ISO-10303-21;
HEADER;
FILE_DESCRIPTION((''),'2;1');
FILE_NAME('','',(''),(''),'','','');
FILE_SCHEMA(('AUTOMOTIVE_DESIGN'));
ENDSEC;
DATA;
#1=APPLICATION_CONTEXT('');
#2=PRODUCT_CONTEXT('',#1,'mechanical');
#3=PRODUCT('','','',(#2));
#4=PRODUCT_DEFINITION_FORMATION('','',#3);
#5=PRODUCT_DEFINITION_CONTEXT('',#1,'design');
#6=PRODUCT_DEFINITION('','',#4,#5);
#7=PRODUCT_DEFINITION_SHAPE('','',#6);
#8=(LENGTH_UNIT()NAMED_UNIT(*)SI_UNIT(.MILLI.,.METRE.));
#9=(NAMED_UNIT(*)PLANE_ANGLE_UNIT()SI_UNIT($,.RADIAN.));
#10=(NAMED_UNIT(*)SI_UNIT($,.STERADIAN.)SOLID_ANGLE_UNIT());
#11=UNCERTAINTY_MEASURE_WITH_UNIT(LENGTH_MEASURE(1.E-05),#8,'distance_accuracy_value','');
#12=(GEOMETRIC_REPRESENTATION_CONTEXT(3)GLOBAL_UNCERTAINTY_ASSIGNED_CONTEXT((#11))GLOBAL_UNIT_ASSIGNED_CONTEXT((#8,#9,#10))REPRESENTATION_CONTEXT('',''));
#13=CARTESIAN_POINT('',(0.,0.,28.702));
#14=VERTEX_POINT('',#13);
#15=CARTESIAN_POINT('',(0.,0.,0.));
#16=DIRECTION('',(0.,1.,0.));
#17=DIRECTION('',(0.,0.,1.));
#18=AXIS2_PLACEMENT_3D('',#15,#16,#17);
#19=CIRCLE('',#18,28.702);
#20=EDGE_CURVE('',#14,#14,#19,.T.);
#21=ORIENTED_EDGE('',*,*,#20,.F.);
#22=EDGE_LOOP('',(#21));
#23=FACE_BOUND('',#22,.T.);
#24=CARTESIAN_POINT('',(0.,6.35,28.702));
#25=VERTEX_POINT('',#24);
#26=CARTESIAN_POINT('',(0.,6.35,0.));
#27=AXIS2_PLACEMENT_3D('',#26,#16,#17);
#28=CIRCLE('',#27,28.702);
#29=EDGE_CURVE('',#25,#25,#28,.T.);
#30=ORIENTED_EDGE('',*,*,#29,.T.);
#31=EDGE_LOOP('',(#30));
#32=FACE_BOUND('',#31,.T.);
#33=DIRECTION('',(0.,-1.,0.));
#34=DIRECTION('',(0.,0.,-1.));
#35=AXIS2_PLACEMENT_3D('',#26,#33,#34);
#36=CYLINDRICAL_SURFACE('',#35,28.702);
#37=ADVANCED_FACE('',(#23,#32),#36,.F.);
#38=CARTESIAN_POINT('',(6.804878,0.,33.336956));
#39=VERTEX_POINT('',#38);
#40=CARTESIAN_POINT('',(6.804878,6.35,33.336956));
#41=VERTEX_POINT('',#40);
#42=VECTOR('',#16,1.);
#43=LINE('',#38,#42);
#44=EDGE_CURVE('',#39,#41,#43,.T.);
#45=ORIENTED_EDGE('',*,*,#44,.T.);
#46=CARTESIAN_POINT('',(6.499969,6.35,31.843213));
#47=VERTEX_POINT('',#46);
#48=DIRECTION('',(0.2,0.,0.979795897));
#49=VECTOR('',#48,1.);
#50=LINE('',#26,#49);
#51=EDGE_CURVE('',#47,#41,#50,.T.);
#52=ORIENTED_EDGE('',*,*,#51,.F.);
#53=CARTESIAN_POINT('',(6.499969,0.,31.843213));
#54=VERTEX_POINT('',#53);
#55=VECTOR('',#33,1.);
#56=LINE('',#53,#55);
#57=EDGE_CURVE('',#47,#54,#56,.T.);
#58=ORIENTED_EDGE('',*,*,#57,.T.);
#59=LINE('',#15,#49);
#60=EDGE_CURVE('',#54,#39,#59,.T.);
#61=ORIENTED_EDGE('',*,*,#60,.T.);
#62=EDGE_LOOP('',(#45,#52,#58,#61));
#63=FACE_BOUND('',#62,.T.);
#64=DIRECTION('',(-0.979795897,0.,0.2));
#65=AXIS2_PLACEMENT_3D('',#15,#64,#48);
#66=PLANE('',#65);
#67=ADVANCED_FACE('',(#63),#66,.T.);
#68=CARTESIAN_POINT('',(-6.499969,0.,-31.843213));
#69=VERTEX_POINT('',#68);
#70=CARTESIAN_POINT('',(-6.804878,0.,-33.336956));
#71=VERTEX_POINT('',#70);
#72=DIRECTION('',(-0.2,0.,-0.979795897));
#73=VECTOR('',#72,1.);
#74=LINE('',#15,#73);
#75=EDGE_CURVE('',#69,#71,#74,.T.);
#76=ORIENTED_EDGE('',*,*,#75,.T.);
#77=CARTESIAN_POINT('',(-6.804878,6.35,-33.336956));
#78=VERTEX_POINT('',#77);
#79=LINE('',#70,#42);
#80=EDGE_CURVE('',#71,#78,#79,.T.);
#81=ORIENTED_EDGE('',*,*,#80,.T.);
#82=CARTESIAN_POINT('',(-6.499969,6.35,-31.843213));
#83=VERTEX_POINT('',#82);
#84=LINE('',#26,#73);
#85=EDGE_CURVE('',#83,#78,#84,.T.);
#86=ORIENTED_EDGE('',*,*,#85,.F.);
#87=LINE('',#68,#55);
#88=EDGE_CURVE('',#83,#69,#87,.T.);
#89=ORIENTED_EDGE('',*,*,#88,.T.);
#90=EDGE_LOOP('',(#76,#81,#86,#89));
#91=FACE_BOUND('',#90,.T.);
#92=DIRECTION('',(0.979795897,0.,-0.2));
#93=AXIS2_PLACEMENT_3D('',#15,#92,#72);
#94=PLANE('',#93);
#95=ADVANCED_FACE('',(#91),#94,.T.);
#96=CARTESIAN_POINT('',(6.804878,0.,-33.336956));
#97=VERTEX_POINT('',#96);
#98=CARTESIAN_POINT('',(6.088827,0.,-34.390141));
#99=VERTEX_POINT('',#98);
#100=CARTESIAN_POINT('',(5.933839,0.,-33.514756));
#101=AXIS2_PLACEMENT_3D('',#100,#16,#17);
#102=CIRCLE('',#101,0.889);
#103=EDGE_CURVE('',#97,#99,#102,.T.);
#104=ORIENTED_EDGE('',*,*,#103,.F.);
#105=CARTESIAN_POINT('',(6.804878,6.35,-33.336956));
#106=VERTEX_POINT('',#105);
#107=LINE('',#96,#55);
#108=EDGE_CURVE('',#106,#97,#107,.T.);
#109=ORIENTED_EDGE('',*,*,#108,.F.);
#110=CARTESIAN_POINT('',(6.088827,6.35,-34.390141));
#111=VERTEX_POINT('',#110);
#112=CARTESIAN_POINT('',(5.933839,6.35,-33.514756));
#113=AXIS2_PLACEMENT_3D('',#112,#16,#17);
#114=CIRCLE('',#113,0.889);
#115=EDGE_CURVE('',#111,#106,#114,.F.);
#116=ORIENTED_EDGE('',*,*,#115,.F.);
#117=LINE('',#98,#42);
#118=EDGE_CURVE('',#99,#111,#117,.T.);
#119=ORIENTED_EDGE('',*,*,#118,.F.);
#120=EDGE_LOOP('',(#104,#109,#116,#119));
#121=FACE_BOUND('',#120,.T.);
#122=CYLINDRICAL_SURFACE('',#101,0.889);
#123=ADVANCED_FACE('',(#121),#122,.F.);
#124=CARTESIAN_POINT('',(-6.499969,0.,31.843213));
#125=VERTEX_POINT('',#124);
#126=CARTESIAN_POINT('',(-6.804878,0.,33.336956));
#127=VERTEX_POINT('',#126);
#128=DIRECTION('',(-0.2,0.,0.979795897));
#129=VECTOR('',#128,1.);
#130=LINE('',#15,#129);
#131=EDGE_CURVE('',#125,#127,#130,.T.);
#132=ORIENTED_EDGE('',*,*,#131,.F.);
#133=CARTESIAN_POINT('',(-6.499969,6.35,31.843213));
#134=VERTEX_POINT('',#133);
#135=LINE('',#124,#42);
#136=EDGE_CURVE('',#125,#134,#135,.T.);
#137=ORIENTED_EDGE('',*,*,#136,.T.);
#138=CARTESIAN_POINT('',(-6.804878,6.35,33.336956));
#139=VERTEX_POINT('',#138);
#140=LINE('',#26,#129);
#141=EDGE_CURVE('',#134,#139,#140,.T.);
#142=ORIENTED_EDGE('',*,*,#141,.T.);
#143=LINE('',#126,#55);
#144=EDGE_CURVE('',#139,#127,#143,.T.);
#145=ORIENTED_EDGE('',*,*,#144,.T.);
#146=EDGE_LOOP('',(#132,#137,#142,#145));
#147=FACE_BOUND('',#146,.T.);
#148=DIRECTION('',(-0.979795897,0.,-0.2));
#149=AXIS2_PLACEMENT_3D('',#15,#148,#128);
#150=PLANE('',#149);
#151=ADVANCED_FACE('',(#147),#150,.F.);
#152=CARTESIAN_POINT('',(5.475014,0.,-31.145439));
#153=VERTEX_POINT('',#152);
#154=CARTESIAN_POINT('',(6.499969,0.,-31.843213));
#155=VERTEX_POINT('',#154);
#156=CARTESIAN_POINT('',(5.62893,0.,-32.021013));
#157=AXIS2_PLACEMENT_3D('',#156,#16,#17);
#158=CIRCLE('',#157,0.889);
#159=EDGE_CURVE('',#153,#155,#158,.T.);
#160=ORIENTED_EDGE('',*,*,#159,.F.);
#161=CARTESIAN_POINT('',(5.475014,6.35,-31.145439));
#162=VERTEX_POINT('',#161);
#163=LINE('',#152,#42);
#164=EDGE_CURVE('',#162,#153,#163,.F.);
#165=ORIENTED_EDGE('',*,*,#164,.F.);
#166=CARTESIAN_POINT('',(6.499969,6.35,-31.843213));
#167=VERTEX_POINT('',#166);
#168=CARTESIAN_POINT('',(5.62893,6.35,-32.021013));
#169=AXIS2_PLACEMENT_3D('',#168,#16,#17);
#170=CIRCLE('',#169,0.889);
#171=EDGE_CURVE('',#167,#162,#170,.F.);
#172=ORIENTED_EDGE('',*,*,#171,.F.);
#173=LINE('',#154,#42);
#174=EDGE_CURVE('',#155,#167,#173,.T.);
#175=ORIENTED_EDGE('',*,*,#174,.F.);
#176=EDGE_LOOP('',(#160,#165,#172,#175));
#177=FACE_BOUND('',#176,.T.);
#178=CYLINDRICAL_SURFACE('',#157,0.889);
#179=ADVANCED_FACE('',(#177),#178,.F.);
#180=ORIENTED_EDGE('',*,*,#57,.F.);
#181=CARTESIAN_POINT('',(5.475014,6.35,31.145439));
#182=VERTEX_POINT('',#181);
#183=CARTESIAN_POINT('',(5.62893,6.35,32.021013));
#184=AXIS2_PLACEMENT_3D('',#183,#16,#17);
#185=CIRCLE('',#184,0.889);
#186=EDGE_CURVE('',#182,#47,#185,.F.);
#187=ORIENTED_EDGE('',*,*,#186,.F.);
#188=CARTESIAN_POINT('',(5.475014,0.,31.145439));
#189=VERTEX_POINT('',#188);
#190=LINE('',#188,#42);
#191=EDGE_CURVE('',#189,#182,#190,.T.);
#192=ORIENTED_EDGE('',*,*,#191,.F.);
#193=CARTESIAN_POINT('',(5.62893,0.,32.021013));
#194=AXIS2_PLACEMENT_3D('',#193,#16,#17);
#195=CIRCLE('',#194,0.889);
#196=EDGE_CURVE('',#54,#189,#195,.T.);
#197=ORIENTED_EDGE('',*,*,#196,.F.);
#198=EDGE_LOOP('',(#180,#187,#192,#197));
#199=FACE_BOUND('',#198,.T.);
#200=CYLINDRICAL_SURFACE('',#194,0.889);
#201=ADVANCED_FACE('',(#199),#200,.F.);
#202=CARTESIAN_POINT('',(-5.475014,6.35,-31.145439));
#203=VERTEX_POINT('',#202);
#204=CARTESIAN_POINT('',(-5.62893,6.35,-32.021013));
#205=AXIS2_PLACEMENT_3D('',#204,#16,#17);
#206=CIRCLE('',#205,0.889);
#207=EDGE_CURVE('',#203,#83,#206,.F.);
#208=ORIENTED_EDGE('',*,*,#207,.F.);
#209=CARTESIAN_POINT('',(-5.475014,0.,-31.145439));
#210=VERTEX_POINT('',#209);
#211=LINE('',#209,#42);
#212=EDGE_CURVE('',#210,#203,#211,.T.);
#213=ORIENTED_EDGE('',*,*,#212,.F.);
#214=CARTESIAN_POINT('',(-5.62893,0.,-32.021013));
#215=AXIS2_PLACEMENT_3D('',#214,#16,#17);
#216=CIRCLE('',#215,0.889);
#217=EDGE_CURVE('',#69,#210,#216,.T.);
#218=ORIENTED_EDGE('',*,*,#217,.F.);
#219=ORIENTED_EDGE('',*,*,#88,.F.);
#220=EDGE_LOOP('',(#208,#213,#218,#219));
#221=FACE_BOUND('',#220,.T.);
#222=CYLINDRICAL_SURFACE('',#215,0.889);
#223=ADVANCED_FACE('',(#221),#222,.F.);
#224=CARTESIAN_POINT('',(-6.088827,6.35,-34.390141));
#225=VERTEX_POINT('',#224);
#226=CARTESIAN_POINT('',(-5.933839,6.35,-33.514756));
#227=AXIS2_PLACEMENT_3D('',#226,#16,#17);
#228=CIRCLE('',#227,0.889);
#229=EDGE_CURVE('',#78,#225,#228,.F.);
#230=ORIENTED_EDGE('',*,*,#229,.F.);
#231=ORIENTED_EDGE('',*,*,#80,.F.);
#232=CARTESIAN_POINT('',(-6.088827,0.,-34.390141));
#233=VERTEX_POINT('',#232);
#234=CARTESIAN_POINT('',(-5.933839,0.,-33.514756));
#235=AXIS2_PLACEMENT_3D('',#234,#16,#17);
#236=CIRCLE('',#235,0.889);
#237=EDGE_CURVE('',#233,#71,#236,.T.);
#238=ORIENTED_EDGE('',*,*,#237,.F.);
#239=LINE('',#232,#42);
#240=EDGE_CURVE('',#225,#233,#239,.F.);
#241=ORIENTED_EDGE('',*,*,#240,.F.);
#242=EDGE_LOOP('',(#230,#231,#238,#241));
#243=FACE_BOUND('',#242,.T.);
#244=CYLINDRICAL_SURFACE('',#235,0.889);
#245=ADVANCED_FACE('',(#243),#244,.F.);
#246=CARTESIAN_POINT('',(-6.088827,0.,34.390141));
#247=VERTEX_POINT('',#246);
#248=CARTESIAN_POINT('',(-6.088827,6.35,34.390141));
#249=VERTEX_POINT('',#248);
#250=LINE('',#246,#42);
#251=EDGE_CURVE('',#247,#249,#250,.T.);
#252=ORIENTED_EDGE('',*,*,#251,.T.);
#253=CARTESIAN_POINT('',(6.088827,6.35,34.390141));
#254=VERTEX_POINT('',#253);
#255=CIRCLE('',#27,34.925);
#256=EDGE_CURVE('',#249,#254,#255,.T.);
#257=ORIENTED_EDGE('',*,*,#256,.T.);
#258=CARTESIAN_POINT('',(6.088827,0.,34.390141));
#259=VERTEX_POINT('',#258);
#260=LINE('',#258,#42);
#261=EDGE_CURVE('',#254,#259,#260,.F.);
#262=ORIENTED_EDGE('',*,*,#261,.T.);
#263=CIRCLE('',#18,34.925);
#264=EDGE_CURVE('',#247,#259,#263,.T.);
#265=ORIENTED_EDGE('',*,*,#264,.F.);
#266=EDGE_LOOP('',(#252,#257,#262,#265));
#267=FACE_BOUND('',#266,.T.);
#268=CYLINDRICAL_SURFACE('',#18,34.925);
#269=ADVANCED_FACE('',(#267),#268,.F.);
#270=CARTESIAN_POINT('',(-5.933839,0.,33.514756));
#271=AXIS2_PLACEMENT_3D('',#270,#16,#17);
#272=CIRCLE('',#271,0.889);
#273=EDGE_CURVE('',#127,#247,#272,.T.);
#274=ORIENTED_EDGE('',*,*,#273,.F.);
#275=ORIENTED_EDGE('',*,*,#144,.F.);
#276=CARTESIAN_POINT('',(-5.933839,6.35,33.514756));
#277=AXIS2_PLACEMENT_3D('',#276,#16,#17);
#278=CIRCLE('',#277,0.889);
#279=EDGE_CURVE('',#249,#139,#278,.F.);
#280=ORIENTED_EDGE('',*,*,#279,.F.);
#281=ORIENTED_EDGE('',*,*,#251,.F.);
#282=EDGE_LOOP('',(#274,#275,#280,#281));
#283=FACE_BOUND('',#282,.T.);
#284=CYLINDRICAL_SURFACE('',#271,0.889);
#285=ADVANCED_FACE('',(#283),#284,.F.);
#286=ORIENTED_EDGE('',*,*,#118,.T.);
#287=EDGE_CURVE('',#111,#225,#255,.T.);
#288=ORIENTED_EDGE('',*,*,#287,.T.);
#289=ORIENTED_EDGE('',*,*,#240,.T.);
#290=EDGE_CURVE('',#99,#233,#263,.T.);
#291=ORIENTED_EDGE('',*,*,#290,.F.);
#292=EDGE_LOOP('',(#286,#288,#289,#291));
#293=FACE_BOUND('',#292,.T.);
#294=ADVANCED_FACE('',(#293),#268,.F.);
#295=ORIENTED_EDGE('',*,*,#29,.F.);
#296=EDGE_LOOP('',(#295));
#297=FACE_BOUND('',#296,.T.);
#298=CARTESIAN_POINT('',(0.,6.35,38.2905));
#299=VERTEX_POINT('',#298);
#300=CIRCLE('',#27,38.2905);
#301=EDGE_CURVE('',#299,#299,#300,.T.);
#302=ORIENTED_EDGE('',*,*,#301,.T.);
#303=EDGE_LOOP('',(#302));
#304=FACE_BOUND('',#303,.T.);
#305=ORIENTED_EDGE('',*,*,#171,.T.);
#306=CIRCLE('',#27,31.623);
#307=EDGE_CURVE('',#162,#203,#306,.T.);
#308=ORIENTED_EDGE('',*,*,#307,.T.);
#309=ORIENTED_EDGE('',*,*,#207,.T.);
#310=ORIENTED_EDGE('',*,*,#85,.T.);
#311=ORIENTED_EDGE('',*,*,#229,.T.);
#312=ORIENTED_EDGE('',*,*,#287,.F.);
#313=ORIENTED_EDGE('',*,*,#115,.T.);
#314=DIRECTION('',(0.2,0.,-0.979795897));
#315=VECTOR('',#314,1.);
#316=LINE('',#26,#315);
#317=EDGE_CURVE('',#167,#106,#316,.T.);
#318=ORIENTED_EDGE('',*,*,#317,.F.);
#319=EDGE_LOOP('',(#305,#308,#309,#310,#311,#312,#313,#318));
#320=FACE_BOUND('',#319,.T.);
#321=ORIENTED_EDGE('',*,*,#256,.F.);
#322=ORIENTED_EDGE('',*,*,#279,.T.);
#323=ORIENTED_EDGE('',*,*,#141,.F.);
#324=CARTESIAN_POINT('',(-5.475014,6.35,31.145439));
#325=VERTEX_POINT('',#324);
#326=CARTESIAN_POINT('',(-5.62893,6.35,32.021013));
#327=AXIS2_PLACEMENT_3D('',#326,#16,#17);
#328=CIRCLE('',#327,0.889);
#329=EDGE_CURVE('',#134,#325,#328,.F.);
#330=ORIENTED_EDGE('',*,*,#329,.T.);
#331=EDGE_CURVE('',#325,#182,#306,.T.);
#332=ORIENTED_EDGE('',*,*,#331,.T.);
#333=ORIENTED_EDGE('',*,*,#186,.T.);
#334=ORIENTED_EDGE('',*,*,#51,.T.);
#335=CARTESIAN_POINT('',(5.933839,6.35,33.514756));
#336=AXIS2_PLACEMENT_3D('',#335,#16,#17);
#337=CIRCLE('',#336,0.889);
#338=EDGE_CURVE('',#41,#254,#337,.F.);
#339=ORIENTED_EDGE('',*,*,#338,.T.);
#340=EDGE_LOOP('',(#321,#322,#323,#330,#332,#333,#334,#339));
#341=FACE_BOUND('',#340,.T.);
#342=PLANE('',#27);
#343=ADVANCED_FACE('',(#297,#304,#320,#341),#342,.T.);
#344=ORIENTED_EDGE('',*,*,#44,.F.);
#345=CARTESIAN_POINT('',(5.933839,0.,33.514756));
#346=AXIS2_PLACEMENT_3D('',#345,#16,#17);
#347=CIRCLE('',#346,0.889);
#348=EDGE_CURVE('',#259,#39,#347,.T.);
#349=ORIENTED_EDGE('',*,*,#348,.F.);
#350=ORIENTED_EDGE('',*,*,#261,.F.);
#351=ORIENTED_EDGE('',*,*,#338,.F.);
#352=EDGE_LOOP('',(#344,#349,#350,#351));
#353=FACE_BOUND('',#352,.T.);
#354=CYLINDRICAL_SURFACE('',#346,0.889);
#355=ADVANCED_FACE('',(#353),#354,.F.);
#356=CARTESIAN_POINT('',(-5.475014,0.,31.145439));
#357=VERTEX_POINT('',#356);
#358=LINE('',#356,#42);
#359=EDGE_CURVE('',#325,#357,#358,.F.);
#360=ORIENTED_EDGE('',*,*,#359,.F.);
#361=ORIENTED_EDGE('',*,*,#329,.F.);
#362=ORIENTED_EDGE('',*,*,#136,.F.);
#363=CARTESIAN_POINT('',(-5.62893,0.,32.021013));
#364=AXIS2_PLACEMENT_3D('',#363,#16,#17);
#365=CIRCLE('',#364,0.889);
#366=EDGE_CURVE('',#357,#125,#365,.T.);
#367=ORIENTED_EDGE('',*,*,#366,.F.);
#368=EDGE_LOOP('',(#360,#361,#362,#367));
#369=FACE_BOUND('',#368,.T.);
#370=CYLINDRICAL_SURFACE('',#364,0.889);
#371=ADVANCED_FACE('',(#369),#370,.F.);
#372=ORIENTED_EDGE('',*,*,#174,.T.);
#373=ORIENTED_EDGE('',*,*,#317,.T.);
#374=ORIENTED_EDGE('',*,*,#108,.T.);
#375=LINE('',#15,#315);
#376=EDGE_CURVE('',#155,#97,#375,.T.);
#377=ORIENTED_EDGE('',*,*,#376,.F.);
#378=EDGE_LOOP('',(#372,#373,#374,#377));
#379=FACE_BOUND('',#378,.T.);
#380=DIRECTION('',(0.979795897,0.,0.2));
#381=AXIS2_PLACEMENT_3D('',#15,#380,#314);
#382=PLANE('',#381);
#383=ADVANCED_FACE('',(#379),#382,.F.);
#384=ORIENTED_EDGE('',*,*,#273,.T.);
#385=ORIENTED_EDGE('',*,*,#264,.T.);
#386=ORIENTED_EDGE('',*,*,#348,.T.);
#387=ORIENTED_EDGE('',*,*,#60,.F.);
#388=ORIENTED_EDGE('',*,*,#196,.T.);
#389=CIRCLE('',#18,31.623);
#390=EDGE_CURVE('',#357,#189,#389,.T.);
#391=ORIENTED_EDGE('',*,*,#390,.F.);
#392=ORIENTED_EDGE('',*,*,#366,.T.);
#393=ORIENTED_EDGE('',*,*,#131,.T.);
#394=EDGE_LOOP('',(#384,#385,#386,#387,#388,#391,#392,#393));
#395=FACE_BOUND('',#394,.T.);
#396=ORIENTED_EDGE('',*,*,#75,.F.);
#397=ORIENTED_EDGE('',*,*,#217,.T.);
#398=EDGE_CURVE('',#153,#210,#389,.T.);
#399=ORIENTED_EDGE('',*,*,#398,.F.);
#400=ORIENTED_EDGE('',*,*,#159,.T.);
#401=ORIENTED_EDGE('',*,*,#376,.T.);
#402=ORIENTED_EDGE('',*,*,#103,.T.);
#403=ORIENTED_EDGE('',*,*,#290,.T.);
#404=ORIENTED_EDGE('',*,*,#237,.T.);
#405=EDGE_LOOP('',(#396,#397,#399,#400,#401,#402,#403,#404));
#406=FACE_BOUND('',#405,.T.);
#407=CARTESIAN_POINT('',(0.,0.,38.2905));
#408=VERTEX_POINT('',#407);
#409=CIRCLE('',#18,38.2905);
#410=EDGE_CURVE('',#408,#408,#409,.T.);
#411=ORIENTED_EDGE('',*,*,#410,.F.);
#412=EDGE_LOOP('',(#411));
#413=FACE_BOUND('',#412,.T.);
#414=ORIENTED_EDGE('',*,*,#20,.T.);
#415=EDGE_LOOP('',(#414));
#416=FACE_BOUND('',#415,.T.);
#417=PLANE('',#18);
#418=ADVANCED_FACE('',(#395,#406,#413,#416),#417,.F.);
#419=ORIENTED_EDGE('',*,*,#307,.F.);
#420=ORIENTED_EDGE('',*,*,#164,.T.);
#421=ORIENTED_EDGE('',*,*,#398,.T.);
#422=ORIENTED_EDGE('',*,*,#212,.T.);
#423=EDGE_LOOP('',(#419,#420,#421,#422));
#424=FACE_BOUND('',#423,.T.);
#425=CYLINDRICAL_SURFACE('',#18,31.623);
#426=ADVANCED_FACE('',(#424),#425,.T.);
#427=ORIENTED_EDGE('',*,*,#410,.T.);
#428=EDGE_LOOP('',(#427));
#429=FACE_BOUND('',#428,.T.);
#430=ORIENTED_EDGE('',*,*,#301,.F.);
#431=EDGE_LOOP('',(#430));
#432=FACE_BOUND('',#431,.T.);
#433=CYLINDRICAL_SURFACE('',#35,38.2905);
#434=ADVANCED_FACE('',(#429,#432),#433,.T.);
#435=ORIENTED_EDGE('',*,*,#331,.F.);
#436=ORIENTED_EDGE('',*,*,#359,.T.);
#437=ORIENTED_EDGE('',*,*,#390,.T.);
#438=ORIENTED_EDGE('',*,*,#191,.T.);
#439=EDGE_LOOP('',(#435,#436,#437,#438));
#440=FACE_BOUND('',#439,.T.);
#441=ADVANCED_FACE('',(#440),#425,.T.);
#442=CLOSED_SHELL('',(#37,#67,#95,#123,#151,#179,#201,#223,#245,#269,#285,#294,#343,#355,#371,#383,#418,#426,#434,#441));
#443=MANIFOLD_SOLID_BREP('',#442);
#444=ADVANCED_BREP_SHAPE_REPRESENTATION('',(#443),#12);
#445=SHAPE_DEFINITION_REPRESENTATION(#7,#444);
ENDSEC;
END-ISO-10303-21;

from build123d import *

# Parameters (mm, degrees)
SKETCH1_R           = 38.2905
SKETCH1_R_2         = 28.702
BOSS_EXTRUDE1_DEPTH = 6.35
CUT_EXTRUDE1_DEPTH  = 6.35
FILLET1_R           = 0.889


with BuildPart() as part:
    # Sketch1 → Boss-Extrude1 (new body)
    with BuildSketch(Plane(origin=(0, 0, 0), x_dir=(1, 0, 0), z_dir=(0, 1, 0))):
        with Locations(Location((0, 0, 0), (0, 0, 270))):
            Circle(SKETCH1_R)
        with Locations(Location((0, 0, 0), (0, 0, 270))):
            Circle(SKETCH1_R_2, mode=Mode.SUBTRACT)
    extrude(amount=BOSS_EXTRUDE1_DEPTH)

    # Sketch2 → Cut-Extrude1 (cut)
    with BuildSketch(Plane(origin=(0, 6.35, 0), x_dir=(1, 0, 0), z_dir=(0, 1, 0))):
        with BuildLine():
            ThreePointArc((6.3246, 30.984085654), (0, 31.623), (-6.3246, 30.984085654))
            Line((-6.3246, 30.984085654), (-6.985, 34.219371707))
            ThreePointArc((-6.985, 34.219371707), (0, 34.925), (6.985, 34.219371707))
            Line((6.985, 34.219371707), (6.3246, 30.984085654))
        make_face()
        with BuildLine():
            ThreePointArc((6.3246, -30.984085654), (0, -31.623), (-6.3246, -30.984085654))
            Line((-6.3246, -30.984085654), (-6.985, -34.219371707))
            ThreePointArc((-6.985, -34.219371707), (0, -34.925), (6.985, -34.219371707))
            Line((6.985, -34.219371707), (6.3246, -30.984085654))
        make_face()
    extrude(amount=-CUT_EXTRUDE1_DEPTH, mode=Mode.SUBTRACT)

    # Fillet1
    fillet1_edges = [part.edges().sort_by_distance(p)[0] for p in [
        (6.3246, 3.175, -30.984085654),
        (-6.3246, 3.175, -30.984085654),
        (-6.985, 3.175, -34.219371707),
        (6.985, 3.175, -34.219371707),
        (-6.985, 3.175, 34.219371707),
        (-6.3246, 3.175, 30.984085654),
        (6.3246, 3.175, 30.984085654),
        (6.985, 3.175, 34.219371707),
    ]]
    fillet(fillet1_edges, radius=FILLET1_R)


solid = part.part
